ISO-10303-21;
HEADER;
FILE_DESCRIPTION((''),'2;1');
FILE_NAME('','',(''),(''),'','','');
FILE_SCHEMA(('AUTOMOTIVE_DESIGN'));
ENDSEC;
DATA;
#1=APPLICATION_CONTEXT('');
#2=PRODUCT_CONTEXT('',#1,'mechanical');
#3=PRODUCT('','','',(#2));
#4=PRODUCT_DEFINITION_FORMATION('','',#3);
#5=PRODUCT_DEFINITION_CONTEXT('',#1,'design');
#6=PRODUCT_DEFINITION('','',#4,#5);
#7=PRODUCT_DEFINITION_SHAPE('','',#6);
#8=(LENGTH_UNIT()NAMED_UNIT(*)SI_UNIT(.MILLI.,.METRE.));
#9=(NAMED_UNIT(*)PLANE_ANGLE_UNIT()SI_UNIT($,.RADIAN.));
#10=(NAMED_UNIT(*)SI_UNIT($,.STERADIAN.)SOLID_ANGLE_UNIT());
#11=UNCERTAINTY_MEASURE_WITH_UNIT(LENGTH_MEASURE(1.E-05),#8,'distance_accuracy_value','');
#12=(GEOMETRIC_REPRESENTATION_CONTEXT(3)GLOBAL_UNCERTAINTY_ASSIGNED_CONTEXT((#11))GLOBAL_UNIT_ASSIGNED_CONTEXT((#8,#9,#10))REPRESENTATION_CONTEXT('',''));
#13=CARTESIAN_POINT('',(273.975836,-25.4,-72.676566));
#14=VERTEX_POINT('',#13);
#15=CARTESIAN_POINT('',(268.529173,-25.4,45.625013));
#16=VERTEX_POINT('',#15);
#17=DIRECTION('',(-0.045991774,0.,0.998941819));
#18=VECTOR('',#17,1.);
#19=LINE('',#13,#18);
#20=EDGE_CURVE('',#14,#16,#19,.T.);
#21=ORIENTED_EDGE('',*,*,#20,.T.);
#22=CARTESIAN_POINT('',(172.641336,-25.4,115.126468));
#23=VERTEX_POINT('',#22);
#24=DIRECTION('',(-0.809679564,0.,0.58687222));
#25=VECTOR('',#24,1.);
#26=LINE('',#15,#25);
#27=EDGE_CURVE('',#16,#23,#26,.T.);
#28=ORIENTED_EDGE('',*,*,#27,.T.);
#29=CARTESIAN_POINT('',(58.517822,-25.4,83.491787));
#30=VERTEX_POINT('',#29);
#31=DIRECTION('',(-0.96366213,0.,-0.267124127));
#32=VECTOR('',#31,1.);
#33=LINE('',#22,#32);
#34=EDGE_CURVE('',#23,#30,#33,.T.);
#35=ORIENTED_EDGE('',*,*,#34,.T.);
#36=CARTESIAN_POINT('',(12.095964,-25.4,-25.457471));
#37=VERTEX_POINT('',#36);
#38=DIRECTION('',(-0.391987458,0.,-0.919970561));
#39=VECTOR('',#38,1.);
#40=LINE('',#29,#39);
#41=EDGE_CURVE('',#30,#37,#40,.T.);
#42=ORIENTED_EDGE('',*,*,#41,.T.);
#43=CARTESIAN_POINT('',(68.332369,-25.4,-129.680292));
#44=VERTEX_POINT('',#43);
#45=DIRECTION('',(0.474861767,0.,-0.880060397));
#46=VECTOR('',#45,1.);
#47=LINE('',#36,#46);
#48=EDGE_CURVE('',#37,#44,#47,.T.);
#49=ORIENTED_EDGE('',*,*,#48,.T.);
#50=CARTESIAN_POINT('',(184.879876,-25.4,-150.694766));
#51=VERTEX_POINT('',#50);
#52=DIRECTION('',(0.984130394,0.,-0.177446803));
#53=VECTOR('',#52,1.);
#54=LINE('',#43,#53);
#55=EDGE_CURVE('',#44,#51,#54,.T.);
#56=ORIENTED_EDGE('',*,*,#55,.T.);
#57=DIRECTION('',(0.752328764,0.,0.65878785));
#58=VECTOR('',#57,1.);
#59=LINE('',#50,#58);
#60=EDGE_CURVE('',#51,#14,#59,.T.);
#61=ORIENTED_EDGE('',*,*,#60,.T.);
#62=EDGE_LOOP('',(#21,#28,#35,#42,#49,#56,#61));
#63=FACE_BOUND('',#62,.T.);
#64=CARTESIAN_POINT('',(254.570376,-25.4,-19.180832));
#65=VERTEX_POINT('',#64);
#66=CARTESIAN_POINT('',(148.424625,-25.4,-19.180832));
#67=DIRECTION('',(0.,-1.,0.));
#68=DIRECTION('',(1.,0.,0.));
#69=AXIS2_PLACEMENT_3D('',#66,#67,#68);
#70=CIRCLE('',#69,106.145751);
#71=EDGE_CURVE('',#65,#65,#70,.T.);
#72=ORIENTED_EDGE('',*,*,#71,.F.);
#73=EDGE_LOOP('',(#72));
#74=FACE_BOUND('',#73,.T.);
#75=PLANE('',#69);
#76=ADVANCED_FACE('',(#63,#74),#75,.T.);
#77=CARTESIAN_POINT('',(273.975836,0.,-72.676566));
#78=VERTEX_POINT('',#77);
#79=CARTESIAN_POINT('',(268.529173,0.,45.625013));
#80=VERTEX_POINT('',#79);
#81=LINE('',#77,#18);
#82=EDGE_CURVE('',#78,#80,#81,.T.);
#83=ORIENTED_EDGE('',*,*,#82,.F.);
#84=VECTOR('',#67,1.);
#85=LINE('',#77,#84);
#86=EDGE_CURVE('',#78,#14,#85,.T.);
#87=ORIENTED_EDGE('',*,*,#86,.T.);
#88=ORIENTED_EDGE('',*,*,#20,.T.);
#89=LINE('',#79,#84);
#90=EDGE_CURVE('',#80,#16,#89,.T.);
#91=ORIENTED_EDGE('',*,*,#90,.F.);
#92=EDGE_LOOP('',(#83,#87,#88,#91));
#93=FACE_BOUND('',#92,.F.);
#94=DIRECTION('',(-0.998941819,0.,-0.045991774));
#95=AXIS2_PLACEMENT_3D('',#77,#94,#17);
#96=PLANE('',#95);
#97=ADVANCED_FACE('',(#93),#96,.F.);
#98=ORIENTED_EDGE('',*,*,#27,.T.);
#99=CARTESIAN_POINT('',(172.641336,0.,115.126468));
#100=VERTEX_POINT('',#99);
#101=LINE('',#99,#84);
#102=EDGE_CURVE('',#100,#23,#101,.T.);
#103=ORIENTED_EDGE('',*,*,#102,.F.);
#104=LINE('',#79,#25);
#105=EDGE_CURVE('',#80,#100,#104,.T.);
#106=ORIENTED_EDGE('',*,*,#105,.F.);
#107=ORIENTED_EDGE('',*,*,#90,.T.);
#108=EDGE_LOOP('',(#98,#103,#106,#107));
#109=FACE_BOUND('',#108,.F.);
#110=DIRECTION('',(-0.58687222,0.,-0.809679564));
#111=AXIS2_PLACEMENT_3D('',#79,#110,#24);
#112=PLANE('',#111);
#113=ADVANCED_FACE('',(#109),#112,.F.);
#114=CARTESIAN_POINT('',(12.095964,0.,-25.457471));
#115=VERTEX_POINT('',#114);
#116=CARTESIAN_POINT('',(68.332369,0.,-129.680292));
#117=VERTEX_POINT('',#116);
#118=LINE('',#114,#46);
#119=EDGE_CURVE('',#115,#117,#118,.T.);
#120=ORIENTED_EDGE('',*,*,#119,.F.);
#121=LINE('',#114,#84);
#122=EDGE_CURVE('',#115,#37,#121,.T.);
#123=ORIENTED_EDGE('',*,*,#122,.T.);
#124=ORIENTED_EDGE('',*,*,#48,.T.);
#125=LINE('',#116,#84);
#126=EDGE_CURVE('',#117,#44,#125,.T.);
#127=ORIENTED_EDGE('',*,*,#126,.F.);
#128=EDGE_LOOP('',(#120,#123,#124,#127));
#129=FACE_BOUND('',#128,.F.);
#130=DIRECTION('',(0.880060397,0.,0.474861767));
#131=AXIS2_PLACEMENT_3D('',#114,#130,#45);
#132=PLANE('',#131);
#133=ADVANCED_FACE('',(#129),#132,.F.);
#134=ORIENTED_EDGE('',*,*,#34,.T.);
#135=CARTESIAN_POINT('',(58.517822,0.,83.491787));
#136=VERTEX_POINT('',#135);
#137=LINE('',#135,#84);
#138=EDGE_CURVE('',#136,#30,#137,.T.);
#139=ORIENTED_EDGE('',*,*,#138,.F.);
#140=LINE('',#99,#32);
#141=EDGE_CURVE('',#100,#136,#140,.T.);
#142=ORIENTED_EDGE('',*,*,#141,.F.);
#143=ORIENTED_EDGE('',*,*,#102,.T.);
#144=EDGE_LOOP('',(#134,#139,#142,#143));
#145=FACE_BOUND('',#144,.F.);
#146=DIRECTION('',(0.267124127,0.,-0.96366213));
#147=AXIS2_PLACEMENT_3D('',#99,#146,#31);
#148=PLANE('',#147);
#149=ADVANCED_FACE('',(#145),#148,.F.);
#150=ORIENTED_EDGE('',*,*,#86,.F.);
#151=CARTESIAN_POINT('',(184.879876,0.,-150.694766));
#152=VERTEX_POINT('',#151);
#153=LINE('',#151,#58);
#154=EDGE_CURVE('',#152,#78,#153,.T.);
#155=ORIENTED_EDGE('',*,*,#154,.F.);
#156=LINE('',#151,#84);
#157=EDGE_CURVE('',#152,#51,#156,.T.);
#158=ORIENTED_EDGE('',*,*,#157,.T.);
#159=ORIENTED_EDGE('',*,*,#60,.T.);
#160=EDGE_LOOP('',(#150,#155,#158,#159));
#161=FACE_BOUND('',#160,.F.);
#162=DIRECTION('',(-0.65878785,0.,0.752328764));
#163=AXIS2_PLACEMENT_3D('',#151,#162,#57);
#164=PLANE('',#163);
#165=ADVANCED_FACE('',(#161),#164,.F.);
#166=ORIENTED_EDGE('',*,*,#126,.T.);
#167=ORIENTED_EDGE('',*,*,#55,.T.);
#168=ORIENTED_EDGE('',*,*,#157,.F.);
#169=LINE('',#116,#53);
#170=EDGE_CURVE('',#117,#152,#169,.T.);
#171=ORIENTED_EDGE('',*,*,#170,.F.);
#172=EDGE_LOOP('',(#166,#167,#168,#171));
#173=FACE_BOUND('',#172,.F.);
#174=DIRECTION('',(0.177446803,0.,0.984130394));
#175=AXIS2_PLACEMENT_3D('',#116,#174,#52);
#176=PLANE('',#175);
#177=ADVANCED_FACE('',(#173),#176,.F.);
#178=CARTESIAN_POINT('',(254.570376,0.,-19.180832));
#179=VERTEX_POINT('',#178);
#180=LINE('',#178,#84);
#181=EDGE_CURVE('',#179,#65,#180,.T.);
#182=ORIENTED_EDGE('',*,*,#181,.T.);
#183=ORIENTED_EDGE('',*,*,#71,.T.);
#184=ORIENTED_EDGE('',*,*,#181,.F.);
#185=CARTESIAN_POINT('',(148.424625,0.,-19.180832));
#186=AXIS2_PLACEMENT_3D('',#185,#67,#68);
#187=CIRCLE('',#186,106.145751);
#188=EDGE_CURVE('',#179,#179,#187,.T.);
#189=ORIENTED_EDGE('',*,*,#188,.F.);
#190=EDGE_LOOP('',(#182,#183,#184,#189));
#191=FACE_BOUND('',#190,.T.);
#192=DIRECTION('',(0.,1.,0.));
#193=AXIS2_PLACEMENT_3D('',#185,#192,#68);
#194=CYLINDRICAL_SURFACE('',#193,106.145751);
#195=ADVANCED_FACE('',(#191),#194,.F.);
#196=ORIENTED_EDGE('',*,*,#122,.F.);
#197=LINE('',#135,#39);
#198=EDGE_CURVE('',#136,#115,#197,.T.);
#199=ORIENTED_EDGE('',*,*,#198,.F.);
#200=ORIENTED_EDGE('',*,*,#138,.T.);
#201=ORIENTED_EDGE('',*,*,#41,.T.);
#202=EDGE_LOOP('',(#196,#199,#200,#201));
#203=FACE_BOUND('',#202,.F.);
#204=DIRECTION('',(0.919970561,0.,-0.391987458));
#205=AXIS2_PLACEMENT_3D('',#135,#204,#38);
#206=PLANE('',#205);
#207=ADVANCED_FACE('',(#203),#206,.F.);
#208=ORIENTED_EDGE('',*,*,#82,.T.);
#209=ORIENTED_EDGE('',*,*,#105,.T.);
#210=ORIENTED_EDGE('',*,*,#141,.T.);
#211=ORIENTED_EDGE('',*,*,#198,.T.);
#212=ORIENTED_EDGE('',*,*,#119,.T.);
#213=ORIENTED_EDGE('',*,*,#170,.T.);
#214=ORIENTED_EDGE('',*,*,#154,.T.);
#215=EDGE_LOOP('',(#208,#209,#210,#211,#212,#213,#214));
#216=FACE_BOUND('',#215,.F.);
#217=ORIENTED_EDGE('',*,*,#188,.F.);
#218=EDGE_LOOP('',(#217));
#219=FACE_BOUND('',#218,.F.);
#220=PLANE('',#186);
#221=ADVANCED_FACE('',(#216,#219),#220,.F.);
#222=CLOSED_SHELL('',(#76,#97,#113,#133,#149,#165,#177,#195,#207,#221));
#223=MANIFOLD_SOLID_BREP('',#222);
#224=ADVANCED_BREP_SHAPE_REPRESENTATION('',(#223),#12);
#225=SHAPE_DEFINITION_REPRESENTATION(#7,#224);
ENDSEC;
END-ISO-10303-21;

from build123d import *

# Parameters (mm, degrees)
F1_R     = 106.145751
F2_DEPTH = 25.4


with BuildPart() as f2:
    # F1 (on face) → F2 (new body)
    with BuildSketch(Plane.XZ):
        Polygon((172.641336, 115.126468), (58.517822, 83.491787), (12.095964, -25.457471), (68.332369, -129.680292), (184.879876, -150.694766), (273.975836, -72.676566), (268.529173, 45.625013), align=None)
        with Locations((148.424625, -19.180832)):
            Circle(F1_R, mode=Mode.SUBTRACT)
    extrude(amount=F2_DEPTH)


solid = f2.part
